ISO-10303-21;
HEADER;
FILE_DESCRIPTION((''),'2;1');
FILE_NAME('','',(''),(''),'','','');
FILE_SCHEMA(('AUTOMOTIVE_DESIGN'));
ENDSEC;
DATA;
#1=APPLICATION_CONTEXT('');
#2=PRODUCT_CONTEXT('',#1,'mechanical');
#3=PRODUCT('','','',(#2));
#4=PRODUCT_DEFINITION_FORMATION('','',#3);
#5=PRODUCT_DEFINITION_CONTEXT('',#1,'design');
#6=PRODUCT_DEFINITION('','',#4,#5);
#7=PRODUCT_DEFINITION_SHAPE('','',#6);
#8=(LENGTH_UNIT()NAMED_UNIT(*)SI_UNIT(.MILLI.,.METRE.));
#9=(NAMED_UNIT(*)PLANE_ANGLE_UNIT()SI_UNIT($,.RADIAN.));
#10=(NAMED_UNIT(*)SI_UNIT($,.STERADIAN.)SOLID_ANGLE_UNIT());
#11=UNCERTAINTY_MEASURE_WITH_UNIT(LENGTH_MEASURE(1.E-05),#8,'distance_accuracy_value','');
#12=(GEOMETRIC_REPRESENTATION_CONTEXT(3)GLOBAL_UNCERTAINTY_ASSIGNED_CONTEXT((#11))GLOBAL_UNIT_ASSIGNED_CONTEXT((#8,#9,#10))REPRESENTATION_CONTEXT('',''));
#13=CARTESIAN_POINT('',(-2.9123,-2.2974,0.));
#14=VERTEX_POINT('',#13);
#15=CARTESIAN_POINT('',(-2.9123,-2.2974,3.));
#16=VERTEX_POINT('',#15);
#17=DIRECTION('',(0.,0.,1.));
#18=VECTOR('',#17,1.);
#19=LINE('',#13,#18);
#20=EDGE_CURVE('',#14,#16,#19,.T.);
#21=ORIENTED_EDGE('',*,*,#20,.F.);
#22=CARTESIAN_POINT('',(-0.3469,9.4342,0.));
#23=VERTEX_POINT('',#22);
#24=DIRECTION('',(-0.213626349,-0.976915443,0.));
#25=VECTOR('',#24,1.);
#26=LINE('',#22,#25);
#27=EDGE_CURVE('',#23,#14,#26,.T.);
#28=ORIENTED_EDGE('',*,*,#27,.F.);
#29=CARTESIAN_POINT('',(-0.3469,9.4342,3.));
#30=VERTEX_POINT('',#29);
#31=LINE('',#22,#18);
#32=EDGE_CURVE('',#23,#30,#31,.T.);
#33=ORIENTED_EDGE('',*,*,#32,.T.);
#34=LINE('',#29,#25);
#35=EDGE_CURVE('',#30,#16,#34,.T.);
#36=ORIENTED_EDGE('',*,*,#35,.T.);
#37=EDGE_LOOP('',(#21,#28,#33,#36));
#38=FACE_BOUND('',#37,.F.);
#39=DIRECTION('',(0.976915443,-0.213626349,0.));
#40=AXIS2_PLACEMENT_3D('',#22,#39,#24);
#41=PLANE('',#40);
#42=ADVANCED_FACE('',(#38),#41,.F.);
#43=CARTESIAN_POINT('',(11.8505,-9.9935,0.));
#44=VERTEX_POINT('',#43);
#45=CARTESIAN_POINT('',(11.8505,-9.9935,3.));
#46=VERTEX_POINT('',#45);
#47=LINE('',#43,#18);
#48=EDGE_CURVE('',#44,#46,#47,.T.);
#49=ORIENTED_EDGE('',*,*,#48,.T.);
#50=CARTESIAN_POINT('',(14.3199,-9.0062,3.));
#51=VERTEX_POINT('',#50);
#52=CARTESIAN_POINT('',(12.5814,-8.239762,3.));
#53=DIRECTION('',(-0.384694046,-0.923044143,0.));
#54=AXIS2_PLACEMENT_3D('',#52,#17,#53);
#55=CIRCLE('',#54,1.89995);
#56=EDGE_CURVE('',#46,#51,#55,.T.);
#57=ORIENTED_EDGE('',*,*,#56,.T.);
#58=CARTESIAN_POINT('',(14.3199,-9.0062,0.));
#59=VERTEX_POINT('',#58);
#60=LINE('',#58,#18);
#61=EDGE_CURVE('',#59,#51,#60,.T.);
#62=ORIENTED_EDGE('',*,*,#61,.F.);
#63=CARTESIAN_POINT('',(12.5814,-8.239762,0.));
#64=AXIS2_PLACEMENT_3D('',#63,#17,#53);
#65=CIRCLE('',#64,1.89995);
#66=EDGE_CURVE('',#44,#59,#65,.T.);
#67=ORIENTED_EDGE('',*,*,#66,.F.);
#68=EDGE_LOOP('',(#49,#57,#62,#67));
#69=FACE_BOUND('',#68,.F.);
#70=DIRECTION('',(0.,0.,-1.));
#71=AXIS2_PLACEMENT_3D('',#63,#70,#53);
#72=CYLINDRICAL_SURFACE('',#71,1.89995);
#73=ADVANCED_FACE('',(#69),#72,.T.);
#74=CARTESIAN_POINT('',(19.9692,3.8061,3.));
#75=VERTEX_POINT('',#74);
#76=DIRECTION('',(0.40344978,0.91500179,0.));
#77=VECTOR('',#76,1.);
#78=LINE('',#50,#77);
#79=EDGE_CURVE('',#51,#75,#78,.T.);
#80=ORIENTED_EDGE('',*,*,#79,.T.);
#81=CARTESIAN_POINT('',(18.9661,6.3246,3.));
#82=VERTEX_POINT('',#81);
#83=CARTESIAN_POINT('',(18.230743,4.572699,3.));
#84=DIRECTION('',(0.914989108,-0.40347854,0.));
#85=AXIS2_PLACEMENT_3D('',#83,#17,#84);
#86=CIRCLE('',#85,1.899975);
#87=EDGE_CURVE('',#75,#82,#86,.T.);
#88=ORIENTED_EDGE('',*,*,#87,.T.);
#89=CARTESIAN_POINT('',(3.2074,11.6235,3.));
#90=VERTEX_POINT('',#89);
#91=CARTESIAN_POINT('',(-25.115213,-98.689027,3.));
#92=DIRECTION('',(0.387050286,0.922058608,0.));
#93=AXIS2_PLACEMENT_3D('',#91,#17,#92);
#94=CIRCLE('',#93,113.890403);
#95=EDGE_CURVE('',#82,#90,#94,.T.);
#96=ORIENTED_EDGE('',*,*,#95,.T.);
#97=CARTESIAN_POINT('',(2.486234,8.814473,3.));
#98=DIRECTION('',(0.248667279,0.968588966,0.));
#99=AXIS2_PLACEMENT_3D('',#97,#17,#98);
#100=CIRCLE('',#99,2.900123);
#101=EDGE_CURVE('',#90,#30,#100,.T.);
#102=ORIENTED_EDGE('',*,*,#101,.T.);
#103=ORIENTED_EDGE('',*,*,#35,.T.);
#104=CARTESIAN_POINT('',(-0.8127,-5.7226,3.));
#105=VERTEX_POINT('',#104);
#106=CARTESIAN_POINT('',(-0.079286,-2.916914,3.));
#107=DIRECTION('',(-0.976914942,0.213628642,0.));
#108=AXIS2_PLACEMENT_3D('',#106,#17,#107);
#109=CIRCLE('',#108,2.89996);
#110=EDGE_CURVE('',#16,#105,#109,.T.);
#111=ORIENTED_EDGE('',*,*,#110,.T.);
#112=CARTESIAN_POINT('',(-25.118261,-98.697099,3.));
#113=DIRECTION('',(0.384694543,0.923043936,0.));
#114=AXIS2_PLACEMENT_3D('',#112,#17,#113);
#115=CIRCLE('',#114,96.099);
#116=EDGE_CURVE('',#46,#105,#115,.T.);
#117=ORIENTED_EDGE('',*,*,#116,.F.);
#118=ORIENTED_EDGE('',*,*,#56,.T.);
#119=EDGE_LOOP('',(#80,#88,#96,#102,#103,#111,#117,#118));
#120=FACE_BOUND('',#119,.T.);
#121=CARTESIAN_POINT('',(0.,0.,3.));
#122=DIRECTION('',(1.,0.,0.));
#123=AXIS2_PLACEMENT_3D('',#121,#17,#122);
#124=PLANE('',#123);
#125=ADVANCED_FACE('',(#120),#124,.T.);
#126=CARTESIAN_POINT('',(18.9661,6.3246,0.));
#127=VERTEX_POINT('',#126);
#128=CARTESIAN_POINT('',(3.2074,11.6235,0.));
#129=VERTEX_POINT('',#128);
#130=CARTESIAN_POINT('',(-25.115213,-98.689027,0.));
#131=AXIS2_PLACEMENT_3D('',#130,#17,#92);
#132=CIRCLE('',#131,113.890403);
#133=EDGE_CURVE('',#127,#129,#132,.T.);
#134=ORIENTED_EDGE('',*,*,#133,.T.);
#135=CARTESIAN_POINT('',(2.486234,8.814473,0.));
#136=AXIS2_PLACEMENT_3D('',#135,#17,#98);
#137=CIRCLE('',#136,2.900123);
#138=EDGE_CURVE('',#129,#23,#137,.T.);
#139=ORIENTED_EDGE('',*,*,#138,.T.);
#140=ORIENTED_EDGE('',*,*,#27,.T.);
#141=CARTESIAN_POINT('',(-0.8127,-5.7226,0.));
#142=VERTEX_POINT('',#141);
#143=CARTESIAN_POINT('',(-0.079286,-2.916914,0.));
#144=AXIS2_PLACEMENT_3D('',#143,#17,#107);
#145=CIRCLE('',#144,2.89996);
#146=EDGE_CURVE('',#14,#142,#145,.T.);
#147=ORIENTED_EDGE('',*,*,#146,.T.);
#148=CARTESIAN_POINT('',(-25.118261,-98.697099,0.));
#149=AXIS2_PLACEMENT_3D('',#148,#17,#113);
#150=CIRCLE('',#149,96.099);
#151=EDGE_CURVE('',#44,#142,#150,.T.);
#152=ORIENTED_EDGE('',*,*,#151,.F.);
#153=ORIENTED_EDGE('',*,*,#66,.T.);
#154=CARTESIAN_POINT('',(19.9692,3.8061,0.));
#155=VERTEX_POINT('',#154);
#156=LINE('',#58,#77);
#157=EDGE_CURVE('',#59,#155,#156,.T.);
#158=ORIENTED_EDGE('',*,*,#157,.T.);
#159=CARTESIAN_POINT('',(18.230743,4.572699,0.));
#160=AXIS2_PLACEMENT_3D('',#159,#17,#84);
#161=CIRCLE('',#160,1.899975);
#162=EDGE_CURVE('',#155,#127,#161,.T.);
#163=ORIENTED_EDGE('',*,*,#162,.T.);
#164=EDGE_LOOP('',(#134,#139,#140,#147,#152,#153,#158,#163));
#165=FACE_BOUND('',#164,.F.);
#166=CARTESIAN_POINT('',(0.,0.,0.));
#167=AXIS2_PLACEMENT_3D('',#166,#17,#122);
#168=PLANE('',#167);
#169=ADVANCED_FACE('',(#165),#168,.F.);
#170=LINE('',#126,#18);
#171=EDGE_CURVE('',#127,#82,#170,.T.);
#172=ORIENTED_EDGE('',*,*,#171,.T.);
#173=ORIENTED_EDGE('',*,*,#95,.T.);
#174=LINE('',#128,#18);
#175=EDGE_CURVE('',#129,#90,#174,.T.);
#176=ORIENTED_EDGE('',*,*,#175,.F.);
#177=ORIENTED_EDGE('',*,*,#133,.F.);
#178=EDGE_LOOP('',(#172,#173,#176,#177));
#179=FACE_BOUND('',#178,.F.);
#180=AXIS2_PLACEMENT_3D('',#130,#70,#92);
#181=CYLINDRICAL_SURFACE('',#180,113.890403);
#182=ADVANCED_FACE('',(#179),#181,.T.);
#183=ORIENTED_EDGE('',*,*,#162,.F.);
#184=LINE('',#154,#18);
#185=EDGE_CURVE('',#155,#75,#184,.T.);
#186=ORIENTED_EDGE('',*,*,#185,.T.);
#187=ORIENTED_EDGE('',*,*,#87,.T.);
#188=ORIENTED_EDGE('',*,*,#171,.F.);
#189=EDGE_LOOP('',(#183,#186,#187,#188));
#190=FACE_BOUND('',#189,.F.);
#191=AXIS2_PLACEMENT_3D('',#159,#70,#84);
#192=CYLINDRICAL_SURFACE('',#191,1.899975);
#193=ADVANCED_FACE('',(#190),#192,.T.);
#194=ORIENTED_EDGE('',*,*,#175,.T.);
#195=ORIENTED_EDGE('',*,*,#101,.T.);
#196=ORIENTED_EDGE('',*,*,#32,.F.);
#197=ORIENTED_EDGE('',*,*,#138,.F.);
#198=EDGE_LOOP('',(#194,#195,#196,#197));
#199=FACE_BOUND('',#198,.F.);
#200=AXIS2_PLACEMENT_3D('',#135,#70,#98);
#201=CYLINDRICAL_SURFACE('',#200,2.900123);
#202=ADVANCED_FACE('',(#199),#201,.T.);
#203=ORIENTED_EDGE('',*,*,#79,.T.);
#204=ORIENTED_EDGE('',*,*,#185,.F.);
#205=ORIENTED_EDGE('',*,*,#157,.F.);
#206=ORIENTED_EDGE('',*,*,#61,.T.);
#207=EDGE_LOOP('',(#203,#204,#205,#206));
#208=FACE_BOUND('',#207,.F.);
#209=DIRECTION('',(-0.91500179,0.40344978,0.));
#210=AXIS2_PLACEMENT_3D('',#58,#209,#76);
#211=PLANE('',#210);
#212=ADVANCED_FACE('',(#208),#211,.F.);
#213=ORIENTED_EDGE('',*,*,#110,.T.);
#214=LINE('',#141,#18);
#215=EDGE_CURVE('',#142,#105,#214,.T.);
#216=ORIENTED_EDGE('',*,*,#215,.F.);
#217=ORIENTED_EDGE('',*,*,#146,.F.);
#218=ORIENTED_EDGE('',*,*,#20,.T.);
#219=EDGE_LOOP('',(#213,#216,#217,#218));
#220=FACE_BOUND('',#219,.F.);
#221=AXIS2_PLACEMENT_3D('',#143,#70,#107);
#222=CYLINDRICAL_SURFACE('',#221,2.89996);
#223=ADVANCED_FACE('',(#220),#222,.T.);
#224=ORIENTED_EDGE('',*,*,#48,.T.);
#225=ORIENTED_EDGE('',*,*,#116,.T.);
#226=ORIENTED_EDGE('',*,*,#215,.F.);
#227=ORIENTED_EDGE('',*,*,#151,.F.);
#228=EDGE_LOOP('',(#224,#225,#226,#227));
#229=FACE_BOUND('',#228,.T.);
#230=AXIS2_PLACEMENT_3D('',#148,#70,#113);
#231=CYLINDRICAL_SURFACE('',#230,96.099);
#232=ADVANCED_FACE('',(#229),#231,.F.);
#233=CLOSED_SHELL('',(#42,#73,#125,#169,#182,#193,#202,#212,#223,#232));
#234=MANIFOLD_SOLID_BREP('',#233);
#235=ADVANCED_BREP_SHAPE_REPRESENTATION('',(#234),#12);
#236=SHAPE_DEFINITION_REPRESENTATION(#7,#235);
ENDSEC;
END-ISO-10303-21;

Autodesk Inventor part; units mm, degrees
ref_plane "YZ Plane" through (0, 0, 0) normal (1, 0, 0) x (0, 1, 0)
ref_plane "XZ Plane" through (0, 0, 0) normal (0, 1, 0) x (-1, 0, 0)
ref_plane "XY Plane" through (0, 0, 0) normal (0, 0, 1) x (1, 0, 0)
sketch "草图2" plane through (0, 0, 0) normal (0, 0, 1) x (1, 0, 0)
  arc A0 (11.812, -10.0858) -> (14.4114, -9.0466) centre (12.5814, -8.2397) ccw projected
  arc A1 (11.812, -10.0858) -> (-0.838, -5.8193) centre (-25.1186, -98.698) ccw projected
  arc A2 (-3.01, -2.276) -> (-0.838, -5.8193) centre (-0.0792, -2.9169) ccw projected
  line L0 (-0.4446, 9.4555) -> (-3.01, -2.276) projected
  arc A3 (3.2323, 11.7204) -> (-0.4446, 9.4555) centre (2.4862, 8.8147) ccw projected
  arc A4 (19.0048, 6.4168) -> (3.2323, 11.7204) centre (-25.1186, -98.698) ccw projected
  arc A5 (20.0607, 3.7658) -> (19.0048, 6.4168) centre (18.2307, 4.5727) ccw projected
  line L1 (14.4114, -9.0466) -> (20.0607, 3.7658) projected
  arc A6 (19.9692, 3.8061) -> (18.9661, 6.3246) centre (18.2307, 4.5727) ccw
  arc A7 (18.9661, 6.3246) -> (3.2074, 11.6235) centre (-25.1186, -98.698) ccw
  arc A8 (3.2074, 11.6235) -> (-0.3469, 9.4342) centre (2.4862, 8.8147) ccw
  line L2 (-0.3469, 9.4342) -> (-2.9123, -2.2974)
  arc A9 (-2.9123, -2.2974) -> (-0.8127, -5.7226) centre (-0.0792, -2.9169) ccw
  arc A10 (11.8505, -9.9935) -> (-0.8127, -5.7226) centre (-25.1186, -98.698) ccw
  arc A11 (11.8505, -9.9935) -> (14.3199, -9.0062) centre (12.5814, -8.2397) ccw
  line L3 (14.3199, -9.0062) -> (19.9692, 3.8061)
  dimension "d2" = 0.1
extrude "拉伸1" add sketch "草图2" along normal blind 3 contours L3 A11 A10 A9 L2 A8 A7 A6
properties part number "斜板固定件"
